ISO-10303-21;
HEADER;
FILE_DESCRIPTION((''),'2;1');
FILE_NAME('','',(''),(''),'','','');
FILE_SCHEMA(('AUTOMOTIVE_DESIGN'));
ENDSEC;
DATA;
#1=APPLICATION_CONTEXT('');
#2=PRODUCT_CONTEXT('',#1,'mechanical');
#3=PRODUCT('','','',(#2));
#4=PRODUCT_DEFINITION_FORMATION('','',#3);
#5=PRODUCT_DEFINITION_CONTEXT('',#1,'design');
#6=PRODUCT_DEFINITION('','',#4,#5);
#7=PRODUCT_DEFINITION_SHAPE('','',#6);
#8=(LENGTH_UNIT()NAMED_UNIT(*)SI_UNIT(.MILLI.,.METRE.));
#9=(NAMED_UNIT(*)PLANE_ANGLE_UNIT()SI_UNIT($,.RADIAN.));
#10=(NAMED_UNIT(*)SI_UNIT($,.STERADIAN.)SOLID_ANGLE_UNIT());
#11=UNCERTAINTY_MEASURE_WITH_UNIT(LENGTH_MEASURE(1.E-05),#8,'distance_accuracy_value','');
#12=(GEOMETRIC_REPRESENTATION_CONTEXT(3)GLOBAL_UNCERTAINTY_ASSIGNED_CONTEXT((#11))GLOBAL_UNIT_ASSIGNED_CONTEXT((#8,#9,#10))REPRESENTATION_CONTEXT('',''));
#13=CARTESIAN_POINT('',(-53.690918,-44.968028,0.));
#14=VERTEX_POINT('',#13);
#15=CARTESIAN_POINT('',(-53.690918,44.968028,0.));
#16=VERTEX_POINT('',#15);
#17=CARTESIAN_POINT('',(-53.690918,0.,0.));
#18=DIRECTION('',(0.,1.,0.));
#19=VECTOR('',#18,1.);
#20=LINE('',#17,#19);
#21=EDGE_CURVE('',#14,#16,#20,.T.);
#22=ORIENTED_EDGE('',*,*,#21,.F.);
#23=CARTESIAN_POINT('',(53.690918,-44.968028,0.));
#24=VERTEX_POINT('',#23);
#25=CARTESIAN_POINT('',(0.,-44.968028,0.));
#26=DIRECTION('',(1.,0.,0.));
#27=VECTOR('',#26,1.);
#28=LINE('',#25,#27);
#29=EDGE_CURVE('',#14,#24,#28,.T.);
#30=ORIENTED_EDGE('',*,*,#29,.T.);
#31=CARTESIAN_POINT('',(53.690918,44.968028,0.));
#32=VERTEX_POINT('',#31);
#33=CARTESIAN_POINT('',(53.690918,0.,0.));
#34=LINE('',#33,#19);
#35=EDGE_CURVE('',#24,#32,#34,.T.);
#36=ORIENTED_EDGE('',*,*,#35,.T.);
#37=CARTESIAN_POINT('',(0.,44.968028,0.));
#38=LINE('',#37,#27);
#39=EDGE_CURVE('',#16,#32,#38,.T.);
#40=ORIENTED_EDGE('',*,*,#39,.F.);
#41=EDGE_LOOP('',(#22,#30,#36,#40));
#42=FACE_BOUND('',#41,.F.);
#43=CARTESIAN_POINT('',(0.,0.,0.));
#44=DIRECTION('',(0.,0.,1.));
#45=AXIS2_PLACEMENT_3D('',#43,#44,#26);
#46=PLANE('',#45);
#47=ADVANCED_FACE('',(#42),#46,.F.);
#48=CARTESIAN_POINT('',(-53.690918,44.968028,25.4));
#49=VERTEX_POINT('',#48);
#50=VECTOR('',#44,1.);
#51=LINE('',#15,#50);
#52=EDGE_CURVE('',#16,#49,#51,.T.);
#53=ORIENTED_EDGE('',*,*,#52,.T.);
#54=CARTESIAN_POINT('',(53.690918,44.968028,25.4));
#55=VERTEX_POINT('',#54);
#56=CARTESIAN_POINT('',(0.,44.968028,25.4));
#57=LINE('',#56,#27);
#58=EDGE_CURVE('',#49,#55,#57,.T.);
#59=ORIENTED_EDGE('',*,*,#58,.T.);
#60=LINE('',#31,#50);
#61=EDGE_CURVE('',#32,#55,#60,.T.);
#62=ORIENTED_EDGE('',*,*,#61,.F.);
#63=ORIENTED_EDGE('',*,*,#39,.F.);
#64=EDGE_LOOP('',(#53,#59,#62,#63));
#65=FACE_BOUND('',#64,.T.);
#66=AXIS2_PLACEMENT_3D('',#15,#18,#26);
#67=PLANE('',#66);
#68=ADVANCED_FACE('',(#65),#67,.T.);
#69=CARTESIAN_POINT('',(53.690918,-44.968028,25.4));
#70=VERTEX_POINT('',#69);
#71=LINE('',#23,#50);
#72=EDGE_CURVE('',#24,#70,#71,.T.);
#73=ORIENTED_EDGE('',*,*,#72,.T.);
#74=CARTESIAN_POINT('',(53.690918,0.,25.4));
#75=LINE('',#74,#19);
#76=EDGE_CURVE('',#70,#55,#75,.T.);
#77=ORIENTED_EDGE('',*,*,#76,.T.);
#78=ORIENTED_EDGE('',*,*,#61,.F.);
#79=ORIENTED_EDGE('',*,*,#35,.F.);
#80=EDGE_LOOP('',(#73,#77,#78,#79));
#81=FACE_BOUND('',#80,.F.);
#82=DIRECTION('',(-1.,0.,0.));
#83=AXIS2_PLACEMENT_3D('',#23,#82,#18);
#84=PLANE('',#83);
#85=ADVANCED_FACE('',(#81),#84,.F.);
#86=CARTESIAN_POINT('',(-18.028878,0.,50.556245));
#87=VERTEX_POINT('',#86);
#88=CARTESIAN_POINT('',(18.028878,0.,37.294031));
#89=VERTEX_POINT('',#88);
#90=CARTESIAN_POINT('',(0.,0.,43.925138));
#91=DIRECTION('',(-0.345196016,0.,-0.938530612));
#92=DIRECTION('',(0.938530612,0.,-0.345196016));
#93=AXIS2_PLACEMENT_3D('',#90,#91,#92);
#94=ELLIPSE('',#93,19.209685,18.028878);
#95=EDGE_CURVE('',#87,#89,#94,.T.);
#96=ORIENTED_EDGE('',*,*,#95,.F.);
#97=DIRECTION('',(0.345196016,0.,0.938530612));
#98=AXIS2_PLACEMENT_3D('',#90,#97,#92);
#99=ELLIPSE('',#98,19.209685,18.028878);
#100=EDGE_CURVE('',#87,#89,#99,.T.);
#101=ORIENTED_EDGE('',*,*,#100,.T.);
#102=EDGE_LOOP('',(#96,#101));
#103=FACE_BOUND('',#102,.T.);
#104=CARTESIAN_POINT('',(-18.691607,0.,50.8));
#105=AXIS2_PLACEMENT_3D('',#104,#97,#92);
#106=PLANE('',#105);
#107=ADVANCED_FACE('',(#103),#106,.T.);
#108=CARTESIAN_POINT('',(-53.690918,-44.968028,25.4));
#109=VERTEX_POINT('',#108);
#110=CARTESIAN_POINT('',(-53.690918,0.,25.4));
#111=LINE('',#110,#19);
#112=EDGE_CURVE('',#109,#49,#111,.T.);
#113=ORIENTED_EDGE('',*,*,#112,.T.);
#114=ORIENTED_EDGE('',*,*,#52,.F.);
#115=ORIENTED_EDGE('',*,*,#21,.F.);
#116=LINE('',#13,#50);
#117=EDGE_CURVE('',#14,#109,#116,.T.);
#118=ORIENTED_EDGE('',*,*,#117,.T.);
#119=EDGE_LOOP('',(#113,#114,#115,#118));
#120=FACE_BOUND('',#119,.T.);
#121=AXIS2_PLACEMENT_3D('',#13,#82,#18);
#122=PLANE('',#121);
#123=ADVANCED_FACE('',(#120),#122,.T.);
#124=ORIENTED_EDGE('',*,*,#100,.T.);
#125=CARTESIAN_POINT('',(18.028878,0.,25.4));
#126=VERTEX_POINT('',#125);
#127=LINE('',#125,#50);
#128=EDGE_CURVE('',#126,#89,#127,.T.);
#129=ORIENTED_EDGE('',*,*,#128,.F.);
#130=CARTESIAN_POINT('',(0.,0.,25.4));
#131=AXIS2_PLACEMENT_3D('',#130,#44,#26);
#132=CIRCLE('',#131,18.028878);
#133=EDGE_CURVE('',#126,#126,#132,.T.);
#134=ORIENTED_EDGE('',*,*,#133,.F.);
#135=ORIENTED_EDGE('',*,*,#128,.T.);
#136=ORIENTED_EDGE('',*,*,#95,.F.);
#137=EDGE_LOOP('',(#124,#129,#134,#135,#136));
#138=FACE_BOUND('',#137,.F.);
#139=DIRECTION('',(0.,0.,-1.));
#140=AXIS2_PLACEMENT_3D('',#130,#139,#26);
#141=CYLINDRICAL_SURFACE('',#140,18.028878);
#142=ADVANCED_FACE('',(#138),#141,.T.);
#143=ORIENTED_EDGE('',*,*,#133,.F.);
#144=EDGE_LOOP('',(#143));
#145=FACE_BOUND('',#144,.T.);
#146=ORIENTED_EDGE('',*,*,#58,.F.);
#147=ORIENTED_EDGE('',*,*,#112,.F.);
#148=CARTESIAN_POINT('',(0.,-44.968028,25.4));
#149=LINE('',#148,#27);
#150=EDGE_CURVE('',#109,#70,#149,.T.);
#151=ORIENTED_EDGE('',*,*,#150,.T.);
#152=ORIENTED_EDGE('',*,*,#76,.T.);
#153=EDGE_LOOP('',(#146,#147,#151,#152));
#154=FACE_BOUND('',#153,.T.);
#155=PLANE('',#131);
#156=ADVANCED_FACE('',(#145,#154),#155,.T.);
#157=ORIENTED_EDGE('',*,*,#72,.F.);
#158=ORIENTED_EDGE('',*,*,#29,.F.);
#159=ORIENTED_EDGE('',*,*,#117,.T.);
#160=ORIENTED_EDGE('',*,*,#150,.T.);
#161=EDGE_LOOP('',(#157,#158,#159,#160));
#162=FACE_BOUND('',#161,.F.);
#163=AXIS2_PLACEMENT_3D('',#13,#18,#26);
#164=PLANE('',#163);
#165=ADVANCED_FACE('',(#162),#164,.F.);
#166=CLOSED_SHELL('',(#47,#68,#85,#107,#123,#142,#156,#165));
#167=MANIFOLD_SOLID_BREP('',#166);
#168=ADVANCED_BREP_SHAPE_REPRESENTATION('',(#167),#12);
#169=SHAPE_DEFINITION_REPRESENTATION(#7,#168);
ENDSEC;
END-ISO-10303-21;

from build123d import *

# Parameters (mm, degrees)
F0_W          = 107.3818355799
F0_H          = 89.936055243
F1_DEPTH      = 25.4
F2_R          = 18.0288778137
F3_DEPTH      = 25.4
F5_DEPTH      = 44.9690276215
F5_DEPTH_BACK = 25.4


with BuildPart() as f1:
    # F0 (on Top) → F1 (new body)
    with BuildSketch(Plane.XY):
        Rectangle(F0_W, F0_H)
    extrude(amount=F1_DEPTH)

    # F2 (on face) → F3 (join)
    with BuildSketch(Plane.XY.offset(25.4)):
        Circle(F2_R)
    extrude(amount=F3_DEPTH)

    # F4 (on Front) → F5 (cut, two sides)
    with BuildSketch(Plane.XZ) as f5_sk:
        Polygon((18.27981323, 50.8), (-18.6916068196, 50.8), (18.27981323, 37.2017361224), align=None)
    extrude(amount=-F5_DEPTH, mode=Mode.SUBTRACT)
    extrude(f5_sk.sketch, amount=F5_DEPTH_BACK, mode=Mode.SUBTRACT)


solid = f1.part
